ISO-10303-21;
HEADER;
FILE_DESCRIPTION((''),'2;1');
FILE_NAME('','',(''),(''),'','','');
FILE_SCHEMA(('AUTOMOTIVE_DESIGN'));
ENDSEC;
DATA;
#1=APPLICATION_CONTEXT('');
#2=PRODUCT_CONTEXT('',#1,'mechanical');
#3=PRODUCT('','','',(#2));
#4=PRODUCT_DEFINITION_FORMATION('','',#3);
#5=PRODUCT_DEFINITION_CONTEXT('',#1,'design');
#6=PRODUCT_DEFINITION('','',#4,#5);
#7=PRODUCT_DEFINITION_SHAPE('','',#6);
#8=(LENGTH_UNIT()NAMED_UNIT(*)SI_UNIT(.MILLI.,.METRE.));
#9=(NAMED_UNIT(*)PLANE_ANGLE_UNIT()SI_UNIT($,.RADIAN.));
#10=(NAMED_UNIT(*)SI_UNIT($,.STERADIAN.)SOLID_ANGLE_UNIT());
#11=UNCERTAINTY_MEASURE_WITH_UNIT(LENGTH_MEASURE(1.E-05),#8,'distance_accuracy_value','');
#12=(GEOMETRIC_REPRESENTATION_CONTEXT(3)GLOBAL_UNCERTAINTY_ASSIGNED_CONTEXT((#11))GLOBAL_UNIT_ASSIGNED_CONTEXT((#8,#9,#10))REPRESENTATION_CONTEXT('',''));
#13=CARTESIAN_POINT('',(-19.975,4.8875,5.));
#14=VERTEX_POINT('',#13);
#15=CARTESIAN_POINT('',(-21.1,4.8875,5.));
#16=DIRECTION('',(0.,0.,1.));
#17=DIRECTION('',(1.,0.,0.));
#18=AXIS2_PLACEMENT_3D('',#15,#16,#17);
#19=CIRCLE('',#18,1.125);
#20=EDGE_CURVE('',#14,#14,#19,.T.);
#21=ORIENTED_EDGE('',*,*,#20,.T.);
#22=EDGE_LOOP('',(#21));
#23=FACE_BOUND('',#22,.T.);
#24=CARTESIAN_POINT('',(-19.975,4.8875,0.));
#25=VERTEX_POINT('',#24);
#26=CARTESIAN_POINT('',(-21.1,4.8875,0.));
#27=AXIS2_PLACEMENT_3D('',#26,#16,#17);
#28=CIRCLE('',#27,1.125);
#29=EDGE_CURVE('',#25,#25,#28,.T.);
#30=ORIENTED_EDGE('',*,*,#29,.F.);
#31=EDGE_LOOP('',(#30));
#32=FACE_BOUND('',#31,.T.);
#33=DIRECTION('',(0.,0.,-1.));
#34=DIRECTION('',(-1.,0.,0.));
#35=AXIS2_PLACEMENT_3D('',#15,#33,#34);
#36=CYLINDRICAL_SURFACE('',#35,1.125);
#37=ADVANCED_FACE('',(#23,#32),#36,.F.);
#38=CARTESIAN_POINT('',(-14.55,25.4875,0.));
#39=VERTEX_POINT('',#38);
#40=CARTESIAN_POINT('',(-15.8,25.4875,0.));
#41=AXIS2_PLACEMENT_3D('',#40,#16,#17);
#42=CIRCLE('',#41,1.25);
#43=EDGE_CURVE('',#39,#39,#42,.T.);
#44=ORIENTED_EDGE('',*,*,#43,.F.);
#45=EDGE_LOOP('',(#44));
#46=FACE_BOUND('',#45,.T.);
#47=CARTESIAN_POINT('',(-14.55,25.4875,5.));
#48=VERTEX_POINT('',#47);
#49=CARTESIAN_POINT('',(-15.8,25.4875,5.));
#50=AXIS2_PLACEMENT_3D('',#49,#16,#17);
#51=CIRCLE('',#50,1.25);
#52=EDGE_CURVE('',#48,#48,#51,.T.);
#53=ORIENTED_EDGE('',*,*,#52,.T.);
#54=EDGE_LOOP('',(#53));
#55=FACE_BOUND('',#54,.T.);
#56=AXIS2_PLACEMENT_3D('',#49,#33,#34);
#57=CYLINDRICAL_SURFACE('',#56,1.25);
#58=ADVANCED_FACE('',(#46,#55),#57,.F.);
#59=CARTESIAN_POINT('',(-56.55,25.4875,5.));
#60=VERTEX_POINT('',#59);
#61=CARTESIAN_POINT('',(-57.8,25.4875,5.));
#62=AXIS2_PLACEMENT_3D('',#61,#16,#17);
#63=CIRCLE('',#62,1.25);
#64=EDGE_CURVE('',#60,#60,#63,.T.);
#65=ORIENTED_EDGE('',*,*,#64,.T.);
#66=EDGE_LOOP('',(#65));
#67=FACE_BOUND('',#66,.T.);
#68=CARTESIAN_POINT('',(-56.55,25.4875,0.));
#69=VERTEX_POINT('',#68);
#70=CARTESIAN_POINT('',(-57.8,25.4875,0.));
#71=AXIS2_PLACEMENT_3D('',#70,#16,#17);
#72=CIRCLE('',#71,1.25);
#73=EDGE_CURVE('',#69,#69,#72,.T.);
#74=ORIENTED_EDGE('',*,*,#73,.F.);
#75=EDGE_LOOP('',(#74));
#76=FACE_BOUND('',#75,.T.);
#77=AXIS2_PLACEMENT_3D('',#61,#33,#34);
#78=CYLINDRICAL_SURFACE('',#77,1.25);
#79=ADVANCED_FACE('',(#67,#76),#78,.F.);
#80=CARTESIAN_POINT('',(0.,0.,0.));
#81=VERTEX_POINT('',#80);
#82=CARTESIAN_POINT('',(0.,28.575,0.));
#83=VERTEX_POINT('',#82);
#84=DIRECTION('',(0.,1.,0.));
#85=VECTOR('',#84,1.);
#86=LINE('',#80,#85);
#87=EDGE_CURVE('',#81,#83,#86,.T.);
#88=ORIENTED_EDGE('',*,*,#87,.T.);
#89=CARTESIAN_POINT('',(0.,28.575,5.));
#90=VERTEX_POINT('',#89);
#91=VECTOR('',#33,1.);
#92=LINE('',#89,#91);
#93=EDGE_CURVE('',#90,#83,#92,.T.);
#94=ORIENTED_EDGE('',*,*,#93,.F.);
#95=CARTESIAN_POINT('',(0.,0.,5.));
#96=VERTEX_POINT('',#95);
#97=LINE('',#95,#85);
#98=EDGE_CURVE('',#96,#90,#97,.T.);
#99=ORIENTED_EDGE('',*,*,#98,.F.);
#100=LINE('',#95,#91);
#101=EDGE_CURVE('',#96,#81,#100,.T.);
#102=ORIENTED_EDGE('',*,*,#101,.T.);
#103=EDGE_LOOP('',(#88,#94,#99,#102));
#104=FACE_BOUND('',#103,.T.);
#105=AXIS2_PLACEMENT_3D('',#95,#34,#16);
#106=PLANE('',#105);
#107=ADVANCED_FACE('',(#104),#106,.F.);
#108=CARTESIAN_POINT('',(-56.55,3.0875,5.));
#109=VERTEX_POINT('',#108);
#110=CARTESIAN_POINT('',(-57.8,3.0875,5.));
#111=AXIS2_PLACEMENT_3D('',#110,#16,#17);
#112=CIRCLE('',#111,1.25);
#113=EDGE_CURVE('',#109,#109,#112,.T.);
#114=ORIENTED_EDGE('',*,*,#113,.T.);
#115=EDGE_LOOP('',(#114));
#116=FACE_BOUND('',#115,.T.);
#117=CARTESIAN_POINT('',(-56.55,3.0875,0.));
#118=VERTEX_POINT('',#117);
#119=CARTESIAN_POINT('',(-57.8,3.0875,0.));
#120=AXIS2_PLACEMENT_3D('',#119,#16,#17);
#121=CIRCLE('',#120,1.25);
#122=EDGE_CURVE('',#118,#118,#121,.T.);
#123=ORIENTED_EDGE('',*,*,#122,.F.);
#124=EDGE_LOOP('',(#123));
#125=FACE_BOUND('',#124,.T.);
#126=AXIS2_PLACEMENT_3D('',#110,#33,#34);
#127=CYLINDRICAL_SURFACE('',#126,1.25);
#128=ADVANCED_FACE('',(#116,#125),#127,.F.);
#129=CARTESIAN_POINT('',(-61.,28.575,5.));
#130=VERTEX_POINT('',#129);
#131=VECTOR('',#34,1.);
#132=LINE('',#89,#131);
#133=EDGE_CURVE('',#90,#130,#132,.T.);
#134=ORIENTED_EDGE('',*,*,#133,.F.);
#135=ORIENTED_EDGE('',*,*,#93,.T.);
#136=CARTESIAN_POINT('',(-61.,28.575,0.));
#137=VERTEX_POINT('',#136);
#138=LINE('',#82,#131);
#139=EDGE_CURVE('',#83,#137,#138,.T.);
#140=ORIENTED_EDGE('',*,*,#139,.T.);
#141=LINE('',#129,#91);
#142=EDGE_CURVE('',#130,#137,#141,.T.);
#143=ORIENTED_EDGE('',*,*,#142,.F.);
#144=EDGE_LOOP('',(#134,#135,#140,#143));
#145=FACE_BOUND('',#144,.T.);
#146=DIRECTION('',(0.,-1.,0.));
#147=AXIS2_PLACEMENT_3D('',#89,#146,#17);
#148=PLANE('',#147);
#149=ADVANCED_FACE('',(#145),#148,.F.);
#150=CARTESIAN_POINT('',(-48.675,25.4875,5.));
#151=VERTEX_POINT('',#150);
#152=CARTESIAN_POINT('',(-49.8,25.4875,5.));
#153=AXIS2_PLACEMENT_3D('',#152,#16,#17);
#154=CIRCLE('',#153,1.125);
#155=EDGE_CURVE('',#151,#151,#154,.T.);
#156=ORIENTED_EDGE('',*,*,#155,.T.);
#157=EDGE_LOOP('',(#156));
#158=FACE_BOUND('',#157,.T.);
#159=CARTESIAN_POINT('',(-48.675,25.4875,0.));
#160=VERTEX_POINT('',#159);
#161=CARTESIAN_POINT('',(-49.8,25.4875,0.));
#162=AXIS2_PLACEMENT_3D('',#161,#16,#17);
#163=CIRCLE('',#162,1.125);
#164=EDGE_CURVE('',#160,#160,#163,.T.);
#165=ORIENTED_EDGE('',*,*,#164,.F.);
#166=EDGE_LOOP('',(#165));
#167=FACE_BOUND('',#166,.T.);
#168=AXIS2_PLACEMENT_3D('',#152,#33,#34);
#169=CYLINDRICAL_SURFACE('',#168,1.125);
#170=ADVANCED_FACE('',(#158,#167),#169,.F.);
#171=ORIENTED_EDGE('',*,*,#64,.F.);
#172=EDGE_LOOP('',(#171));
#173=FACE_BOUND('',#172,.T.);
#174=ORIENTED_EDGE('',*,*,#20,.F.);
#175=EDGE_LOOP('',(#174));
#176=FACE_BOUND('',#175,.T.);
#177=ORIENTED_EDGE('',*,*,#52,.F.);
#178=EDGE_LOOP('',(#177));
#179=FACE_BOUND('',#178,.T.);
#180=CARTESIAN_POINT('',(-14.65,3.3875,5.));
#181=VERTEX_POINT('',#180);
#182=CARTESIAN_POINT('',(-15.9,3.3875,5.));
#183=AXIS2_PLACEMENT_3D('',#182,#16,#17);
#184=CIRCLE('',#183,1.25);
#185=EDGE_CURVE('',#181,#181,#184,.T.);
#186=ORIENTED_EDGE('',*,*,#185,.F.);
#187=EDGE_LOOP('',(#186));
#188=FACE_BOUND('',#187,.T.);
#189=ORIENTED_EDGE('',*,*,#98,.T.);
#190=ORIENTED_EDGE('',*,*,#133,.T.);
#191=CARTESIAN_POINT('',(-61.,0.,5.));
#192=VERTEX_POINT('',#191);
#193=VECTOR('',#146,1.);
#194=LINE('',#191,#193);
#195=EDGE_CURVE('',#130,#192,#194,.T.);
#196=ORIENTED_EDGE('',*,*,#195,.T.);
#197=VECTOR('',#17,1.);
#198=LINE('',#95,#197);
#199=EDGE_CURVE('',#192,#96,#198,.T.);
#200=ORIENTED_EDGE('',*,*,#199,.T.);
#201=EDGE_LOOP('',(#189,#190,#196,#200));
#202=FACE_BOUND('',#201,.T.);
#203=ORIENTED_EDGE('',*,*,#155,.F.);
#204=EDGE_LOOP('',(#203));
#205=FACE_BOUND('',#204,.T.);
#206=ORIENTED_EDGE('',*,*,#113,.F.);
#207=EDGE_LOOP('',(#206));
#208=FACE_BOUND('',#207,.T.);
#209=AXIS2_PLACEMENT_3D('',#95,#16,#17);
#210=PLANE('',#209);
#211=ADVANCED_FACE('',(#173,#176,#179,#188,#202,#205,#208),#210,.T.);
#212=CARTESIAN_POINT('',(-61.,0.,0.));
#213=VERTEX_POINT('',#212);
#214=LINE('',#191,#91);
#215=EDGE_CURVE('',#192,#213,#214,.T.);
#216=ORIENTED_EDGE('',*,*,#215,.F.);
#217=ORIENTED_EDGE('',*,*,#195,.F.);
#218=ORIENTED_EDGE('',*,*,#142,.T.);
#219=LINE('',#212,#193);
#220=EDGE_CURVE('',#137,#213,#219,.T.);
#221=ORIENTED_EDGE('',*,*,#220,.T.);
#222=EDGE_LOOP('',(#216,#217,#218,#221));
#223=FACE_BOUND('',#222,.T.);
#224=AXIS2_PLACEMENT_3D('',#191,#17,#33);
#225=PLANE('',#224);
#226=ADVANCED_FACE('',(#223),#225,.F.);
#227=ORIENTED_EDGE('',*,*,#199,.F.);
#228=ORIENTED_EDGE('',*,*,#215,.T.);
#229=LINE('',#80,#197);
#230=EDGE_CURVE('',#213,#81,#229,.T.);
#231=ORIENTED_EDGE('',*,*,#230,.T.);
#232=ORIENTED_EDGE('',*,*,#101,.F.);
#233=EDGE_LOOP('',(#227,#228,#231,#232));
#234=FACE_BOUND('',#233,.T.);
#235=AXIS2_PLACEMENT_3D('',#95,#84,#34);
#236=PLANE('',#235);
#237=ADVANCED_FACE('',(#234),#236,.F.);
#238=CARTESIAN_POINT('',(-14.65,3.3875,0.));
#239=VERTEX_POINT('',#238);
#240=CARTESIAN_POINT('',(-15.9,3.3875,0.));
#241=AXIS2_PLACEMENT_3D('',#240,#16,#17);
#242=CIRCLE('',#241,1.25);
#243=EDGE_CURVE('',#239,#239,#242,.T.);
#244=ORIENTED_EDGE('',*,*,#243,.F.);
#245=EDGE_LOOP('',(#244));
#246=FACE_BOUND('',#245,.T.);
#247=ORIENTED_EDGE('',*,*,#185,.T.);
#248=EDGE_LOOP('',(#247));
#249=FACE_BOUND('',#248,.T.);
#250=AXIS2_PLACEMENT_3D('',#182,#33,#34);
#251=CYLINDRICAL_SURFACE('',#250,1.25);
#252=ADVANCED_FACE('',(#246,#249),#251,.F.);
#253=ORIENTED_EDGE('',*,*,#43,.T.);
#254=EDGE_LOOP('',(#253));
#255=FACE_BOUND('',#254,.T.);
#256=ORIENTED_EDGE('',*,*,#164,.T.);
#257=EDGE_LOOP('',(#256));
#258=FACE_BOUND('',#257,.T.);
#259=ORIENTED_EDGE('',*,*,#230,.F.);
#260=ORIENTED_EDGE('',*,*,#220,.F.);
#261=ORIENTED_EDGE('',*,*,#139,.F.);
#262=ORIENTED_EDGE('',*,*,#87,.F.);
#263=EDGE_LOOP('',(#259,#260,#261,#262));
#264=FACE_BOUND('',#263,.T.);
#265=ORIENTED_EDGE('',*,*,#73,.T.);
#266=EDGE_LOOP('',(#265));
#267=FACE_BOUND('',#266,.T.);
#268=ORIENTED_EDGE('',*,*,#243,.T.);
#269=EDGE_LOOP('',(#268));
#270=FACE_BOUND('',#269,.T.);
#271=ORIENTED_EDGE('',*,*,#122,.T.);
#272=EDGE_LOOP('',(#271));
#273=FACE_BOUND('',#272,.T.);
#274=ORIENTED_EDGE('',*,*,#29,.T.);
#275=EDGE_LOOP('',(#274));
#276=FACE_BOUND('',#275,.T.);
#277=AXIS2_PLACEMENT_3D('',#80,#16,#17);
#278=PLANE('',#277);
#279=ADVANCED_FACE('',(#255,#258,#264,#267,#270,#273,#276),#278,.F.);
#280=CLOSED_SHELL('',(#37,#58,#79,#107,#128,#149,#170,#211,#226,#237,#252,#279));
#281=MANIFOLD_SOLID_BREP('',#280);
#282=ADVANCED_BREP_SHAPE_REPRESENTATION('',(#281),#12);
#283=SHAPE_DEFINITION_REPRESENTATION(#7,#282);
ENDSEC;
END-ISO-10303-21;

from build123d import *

# Parameters (mm, degrees)
SKETCH1_W           = 61
SKETCH1_H           = 28.575
SKETCH1_R           = 1.25
SKETCH1_R_2         = 1.125
BOSS_EXTRUDE1_DEPTH = 5


with BuildPart() as part:
    # Sketch1 → Boss-Extrude1 (new body)
    with BuildSketch(Plane.XY):
        with Locations((-30.5, 14.2875)):
            Rectangle(SKETCH1_W, SKETCH1_H)
        with Locations((-57.8, 3.0875)):
            Circle(SKETCH1_R, mode=Mode.SUBTRACT)
        with Locations((-57.8, 25.4875)):
            Circle(SKETCH1_R, mode=Mode.SUBTRACT)
        with Locations((-15.8, 25.4875)):
            Circle(SKETCH1_R, mode=Mode.SUBTRACT)
        with Locations((-15.9, 3.3875)):
            Circle(SKETCH1_R, mode=Mode.SUBTRACT)
        with Locations((-49.8, 25.4875)):
            Circle(SKETCH1_R_2, mode=Mode.SUBTRACT)
        with Locations((-21.1, 4.8875)):
            Circle(SKETCH1_R_2, mode=Mode.SUBTRACT)
    extrude(amount=BOSS_EXTRUDE1_DEPTH)


solid = part.part
